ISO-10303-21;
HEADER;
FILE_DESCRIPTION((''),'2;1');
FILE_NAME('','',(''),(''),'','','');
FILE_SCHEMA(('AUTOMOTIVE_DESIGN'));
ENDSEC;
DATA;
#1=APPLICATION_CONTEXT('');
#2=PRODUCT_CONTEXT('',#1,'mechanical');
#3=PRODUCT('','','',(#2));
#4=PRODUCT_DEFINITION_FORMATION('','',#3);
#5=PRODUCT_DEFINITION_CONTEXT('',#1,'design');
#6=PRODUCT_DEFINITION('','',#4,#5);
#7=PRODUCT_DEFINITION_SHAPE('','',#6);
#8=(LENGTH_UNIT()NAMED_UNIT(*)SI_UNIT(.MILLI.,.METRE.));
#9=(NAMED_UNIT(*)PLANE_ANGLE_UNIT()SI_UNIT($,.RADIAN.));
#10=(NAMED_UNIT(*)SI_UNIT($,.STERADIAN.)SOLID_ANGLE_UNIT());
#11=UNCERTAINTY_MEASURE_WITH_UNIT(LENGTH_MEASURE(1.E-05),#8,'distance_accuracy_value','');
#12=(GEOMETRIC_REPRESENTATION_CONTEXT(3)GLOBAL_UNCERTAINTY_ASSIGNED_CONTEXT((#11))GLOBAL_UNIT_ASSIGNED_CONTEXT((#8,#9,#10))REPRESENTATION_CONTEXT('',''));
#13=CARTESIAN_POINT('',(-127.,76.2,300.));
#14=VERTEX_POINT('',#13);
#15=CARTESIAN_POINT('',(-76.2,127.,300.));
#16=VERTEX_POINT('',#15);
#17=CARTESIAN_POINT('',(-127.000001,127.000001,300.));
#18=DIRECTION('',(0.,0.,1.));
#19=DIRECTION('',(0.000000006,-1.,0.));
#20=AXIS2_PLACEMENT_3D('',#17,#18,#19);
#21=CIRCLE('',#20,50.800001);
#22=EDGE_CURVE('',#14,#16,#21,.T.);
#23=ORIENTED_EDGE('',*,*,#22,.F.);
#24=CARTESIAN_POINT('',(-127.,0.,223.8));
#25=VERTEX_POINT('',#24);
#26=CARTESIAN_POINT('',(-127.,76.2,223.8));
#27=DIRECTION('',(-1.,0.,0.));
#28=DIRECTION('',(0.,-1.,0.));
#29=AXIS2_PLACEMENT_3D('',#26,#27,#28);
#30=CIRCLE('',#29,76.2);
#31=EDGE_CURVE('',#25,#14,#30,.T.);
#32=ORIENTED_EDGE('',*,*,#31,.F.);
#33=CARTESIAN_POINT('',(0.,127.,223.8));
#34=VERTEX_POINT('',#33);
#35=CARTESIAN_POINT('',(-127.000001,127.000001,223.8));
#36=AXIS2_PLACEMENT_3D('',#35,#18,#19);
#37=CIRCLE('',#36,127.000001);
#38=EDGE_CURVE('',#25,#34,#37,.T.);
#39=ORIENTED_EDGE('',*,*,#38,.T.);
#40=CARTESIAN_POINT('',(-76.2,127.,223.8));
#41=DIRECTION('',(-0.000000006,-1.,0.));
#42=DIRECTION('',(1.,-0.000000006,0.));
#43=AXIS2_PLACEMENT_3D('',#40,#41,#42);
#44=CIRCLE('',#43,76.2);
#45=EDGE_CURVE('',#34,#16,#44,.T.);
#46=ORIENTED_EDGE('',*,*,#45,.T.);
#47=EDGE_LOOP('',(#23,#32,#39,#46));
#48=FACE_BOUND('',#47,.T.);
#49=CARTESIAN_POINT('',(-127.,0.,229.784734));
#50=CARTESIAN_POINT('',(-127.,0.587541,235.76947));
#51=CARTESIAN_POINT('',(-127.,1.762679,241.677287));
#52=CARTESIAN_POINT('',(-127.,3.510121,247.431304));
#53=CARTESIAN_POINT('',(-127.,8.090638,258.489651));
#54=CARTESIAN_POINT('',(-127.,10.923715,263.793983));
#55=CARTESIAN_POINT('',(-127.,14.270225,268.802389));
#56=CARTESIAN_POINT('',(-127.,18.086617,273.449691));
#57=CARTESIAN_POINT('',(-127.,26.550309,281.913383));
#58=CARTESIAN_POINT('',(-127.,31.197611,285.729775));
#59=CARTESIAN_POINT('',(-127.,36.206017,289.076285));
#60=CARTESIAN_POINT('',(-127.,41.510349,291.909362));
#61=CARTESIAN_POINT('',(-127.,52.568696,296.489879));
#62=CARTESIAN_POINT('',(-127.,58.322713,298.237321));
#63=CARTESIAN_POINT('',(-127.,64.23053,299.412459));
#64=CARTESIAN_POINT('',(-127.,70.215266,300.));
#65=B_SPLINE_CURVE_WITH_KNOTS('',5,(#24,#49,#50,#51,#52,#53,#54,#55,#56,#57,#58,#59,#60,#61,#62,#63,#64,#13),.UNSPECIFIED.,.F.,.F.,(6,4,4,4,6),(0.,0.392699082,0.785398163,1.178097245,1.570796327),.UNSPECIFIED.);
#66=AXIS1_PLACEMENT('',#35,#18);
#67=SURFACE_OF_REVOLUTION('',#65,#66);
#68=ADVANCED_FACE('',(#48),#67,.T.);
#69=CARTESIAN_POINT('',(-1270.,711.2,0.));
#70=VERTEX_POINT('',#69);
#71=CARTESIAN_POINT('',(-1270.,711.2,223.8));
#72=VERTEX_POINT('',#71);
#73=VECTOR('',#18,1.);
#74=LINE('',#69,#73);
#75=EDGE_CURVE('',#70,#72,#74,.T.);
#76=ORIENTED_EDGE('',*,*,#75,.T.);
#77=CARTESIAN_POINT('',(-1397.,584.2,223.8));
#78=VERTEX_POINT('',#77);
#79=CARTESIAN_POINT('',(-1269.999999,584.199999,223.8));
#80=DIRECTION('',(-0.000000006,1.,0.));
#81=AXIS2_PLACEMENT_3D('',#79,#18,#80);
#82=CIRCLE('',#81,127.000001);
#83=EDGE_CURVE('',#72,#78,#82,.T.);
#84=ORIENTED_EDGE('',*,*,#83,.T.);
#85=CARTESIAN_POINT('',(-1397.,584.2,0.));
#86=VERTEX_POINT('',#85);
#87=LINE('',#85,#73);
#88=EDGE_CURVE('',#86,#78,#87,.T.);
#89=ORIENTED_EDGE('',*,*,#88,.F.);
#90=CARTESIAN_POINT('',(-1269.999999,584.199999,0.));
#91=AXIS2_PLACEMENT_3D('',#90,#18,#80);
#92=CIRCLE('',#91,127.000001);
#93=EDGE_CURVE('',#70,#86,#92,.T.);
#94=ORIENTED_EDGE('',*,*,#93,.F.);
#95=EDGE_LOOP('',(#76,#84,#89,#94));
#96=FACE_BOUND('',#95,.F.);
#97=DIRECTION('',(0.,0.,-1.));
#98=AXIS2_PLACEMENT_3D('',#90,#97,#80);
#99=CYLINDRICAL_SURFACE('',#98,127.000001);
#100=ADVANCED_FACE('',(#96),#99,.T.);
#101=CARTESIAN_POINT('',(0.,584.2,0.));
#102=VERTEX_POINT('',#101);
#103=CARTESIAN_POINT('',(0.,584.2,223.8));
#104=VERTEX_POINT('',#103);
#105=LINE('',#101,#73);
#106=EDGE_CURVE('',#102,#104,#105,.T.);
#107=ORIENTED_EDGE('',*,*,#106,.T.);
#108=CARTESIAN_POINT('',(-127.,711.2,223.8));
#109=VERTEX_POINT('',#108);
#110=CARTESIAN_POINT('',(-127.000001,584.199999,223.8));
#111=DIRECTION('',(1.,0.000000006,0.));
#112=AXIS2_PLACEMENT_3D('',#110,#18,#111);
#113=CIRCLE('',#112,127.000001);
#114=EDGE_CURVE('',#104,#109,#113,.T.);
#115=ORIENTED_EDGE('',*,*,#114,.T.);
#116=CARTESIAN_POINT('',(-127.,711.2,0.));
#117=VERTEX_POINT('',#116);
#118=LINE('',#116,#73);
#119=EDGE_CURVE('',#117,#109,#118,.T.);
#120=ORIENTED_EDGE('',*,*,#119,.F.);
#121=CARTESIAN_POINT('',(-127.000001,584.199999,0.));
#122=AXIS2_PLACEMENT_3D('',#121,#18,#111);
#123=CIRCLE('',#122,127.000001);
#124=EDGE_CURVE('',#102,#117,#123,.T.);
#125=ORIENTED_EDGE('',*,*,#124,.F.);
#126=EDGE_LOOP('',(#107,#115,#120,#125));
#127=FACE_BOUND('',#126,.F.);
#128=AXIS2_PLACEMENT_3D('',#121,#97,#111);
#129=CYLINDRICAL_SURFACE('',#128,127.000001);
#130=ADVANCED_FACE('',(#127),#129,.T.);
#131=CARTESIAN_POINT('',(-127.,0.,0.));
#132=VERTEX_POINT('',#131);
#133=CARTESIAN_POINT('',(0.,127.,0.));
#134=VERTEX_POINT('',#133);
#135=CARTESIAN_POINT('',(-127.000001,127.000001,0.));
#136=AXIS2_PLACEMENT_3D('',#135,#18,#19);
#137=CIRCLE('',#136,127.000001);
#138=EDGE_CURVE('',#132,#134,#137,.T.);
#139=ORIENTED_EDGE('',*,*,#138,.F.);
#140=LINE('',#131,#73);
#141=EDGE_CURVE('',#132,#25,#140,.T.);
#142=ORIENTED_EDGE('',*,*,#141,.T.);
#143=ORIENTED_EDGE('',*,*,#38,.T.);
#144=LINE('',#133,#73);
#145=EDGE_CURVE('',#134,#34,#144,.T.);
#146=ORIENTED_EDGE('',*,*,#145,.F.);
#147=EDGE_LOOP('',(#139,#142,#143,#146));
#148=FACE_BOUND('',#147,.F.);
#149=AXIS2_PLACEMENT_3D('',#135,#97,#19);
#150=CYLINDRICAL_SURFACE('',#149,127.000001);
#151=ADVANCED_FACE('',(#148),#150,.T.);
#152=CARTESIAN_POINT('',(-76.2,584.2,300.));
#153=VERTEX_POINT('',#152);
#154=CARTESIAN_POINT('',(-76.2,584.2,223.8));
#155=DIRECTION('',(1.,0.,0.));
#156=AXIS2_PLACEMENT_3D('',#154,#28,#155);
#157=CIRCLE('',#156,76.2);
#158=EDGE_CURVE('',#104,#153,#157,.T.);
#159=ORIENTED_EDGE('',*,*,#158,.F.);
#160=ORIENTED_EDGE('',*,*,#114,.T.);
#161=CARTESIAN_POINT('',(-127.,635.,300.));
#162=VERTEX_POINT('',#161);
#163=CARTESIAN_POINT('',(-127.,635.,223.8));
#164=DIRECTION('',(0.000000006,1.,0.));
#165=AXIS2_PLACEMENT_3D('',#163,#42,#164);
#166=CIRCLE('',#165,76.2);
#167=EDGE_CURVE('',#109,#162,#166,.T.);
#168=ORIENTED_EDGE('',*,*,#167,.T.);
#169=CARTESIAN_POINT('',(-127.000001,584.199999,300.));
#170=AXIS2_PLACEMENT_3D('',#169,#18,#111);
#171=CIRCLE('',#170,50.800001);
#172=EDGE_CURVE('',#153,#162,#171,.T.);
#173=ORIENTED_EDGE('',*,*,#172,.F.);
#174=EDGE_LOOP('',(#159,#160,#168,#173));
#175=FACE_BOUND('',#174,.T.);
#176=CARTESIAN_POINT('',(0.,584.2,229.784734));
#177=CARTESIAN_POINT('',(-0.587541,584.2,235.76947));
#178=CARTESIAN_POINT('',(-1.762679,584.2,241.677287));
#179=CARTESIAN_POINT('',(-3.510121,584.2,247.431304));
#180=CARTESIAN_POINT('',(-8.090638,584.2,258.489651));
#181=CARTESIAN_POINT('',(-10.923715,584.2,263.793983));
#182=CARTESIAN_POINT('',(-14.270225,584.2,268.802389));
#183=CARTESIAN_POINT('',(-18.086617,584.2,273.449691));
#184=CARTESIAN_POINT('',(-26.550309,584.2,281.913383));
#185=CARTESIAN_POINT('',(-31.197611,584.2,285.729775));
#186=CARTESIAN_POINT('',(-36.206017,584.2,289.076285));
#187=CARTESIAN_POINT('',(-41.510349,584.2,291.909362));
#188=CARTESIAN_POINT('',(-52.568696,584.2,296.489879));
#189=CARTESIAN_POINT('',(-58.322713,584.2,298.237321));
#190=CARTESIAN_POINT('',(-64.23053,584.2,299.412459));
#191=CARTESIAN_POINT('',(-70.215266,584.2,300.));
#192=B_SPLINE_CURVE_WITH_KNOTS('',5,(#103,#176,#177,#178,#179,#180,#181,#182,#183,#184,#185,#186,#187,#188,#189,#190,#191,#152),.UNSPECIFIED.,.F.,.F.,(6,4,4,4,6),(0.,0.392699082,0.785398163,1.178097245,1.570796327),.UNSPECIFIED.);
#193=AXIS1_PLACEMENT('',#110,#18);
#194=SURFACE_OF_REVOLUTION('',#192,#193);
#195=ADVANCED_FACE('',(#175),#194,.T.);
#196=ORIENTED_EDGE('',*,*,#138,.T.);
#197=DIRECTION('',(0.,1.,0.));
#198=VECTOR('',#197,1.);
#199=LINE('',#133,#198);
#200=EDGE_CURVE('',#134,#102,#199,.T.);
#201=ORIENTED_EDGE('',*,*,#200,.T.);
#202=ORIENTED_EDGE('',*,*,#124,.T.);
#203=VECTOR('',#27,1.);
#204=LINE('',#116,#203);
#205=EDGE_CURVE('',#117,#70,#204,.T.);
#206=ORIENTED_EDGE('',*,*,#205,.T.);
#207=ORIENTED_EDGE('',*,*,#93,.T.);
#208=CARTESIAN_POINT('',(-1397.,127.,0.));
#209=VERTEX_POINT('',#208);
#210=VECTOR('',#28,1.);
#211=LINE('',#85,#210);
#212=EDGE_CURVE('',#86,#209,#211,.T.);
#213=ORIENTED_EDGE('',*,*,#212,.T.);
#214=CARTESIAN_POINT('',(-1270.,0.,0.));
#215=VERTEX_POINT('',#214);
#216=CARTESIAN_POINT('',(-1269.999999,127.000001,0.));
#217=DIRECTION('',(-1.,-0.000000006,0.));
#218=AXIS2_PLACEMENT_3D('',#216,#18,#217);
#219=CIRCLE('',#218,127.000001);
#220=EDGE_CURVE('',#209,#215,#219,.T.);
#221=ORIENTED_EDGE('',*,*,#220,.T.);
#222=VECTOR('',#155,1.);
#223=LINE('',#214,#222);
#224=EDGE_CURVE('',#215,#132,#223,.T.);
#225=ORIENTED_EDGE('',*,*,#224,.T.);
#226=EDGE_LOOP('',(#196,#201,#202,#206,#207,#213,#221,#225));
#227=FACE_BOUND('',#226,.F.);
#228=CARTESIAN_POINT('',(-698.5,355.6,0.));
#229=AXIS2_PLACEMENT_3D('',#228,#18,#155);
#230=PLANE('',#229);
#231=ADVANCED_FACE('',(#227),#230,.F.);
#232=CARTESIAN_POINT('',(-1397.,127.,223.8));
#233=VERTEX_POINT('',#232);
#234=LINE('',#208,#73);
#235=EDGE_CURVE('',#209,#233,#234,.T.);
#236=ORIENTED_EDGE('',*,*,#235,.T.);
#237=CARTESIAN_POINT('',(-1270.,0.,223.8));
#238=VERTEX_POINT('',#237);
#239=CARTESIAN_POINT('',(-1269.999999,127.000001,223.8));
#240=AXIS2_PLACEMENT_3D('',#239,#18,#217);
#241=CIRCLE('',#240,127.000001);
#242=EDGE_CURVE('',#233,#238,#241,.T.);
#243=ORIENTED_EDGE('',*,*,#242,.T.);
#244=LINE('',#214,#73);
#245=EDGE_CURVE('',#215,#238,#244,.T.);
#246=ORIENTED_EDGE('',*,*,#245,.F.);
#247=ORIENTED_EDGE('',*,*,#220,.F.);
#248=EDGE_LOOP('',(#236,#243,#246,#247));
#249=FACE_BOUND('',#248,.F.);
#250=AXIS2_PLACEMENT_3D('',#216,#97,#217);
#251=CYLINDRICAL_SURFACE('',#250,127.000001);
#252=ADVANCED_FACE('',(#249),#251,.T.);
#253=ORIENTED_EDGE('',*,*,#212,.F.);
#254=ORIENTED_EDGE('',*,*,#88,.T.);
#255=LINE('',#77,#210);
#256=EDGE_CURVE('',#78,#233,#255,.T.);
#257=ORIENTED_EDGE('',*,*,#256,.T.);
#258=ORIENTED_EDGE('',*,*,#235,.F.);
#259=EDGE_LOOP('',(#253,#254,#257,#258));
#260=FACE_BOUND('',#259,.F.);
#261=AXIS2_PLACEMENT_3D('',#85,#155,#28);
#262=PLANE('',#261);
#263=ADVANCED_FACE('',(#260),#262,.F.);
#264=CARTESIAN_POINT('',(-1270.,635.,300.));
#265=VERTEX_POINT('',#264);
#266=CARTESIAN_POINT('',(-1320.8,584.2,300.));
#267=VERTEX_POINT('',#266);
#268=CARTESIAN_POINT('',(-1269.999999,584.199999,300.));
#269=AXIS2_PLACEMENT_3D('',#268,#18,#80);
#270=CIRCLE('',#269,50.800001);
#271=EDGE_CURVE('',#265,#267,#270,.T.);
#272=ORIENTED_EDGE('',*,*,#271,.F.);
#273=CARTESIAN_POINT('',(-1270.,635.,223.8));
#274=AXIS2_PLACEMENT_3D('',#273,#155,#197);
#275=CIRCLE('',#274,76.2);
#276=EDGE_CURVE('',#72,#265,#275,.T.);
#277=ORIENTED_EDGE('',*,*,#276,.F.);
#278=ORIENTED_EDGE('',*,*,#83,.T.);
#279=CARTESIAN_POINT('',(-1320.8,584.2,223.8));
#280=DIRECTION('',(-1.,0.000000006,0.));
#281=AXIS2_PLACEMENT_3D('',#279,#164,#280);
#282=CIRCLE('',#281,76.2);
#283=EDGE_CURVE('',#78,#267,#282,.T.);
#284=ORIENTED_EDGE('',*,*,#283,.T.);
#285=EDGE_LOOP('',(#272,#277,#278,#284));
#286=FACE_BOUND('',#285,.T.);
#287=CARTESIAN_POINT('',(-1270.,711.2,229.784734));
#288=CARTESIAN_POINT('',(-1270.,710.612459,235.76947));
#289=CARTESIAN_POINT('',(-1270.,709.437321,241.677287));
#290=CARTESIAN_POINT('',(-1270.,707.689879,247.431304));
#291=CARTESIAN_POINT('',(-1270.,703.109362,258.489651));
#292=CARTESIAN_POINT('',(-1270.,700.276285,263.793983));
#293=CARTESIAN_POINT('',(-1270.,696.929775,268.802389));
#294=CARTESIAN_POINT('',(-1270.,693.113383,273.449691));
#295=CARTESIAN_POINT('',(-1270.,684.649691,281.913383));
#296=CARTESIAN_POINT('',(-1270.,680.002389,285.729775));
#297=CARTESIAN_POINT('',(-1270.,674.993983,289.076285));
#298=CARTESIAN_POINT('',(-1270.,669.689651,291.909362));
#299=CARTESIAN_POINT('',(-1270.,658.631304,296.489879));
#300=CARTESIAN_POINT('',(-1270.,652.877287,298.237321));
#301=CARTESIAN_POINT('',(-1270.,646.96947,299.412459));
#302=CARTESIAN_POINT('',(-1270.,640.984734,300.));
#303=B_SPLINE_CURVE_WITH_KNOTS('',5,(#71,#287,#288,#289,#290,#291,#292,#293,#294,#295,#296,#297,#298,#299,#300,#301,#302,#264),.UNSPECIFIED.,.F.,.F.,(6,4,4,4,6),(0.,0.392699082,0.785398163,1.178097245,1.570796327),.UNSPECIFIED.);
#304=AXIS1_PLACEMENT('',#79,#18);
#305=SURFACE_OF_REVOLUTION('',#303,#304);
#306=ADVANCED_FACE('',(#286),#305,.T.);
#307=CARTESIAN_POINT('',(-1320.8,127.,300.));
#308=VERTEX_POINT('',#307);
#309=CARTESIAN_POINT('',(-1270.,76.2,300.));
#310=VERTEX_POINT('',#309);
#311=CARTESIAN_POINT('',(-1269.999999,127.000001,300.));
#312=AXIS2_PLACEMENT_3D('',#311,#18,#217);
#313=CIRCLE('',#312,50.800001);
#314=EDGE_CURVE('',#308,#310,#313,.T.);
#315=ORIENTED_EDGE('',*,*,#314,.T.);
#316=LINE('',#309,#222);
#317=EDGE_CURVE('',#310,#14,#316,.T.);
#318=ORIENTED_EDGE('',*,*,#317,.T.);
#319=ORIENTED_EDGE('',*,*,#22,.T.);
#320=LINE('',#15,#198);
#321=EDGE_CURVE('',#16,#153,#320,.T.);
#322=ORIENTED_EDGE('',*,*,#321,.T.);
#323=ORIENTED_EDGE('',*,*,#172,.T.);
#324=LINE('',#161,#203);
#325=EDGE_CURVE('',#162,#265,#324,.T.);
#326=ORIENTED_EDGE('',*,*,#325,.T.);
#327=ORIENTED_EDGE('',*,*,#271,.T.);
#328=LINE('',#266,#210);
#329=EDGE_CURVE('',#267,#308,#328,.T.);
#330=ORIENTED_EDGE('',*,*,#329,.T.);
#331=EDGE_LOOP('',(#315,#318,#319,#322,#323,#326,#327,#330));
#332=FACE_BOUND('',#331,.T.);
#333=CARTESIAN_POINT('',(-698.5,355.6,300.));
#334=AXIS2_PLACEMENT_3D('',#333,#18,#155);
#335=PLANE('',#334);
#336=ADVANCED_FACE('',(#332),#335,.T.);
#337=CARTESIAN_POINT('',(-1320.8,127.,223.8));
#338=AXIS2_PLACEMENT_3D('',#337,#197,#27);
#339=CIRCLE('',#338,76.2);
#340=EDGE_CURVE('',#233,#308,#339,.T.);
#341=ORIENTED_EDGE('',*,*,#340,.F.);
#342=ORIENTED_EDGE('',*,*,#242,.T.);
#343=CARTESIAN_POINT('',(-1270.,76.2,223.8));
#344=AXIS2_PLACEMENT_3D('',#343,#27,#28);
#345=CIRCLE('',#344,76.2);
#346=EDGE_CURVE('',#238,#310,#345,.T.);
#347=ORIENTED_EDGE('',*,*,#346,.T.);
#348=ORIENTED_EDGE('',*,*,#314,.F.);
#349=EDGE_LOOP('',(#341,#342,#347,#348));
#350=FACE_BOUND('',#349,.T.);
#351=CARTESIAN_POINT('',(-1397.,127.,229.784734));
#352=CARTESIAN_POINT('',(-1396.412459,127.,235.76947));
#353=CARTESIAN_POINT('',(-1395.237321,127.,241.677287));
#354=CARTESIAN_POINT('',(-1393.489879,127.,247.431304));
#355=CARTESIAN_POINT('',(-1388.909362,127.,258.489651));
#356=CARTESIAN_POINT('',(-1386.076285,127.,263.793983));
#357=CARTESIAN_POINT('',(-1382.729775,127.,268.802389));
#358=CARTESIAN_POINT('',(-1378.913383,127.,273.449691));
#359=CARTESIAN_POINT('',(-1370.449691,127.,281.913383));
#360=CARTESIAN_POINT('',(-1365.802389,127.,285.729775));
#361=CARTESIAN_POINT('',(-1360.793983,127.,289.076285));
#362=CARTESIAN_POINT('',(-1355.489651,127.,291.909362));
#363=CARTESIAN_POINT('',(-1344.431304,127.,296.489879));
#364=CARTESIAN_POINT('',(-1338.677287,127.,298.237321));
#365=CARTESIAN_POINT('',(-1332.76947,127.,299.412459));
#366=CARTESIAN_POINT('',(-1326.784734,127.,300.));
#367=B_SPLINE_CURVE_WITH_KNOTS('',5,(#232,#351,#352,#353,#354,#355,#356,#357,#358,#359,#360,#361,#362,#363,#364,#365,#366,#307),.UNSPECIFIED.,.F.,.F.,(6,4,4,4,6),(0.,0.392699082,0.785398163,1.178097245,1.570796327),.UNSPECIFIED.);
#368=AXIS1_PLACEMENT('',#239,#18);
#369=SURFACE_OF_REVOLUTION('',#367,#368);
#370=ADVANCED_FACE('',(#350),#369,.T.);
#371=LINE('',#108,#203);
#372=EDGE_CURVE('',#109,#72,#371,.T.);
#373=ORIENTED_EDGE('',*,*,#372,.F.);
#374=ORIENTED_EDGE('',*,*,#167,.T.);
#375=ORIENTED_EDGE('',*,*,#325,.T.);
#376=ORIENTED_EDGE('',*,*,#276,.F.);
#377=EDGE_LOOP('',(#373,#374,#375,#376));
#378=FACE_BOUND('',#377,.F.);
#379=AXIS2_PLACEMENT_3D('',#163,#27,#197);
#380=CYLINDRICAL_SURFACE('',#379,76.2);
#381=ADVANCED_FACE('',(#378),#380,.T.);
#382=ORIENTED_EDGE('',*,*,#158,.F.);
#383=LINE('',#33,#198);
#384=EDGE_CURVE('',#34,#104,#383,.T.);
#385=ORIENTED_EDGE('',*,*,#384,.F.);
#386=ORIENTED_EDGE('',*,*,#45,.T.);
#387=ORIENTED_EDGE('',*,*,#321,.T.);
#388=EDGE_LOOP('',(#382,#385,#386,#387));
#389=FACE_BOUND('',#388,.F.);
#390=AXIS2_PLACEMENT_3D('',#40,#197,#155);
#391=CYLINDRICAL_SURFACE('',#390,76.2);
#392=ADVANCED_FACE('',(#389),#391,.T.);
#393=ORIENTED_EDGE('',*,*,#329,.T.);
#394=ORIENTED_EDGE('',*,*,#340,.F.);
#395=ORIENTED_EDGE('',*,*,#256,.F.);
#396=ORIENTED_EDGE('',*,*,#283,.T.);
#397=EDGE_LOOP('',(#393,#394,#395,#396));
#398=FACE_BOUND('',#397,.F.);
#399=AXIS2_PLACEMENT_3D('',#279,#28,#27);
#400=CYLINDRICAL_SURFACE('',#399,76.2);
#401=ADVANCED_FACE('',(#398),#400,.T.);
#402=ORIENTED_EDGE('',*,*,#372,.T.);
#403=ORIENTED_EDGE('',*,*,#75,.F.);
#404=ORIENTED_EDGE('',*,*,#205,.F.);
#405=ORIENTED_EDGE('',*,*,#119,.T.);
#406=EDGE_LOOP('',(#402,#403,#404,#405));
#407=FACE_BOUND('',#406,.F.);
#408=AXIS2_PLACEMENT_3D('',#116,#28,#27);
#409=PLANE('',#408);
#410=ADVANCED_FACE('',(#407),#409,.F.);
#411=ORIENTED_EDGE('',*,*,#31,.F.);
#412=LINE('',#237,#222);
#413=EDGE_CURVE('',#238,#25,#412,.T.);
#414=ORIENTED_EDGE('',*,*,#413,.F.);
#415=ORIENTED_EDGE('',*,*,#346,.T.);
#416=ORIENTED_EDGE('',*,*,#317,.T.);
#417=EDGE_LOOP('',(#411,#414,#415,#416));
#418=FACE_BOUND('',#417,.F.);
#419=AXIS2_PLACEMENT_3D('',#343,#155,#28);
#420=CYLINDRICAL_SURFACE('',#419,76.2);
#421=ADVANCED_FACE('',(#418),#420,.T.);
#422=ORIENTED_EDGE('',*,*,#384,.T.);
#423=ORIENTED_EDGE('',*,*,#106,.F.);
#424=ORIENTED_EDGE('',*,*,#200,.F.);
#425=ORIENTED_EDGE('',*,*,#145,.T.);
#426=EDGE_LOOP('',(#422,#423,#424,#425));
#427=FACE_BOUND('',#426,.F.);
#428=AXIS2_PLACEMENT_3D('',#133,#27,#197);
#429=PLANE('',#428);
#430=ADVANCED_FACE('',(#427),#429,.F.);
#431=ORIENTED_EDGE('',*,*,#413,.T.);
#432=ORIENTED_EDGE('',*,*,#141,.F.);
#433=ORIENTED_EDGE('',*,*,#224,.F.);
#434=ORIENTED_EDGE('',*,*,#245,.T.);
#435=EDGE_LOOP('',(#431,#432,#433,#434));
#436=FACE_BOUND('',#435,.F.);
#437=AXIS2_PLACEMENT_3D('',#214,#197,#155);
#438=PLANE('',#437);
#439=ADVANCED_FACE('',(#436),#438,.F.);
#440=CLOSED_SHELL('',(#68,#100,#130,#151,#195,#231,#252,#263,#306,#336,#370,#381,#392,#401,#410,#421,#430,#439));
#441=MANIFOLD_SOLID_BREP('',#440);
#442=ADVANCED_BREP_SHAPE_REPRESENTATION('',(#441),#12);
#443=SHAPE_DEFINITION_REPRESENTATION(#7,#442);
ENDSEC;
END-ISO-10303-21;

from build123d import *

# Parameters (mm, degrees)
F1_DEPTH = 300
F2_R     = 76.2


with BuildPart() as f1:
    # F0 (on Top) → F1 (new body)
    with BuildSketch(Plane.XY):
        with BuildLine():
            Line((-1270, 0), (-127, 0))
            ThreePointArc((-127, 0), (-37.197439, 37.197439), (0, 127))
            Line((0, 127), (0, 584.2))
            ThreePointArc((0, 584.2), (-37.197439, 674.002561), (-127, 711.2))
            Line((-127, 711.2), (-1270, 711.2))
            ThreePointArc((-1270, 711.2), (-1359.802561, 674.002561), (-1397, 584.2))
            Line((-1397, 584.2), (-1397, 127))
            ThreePointArc((-1397, 127), (-1359.802561, 37.197439), (-1270, 0))
        make_face()
    extrude(amount=F1_DEPTH)

    # F2
    f2_edges = [f1.edges().sort_by_distance(p)[0] for p in [
        (-698.5, 0, 300),
        (-37.197439, 37.197439, 300),
        (0, 355.6, 300),
        (-37.197439, 674.002561, 300),
        (-698.5, 711.2, 300),
        (-1359.802561, 674.002561, 300),
        (-1397, 355.6, 300),
        (-1359.802561, 37.197439, 300),
    ]]
    fillet(f2_edges, radius=F2_R)


solid = f1.part
